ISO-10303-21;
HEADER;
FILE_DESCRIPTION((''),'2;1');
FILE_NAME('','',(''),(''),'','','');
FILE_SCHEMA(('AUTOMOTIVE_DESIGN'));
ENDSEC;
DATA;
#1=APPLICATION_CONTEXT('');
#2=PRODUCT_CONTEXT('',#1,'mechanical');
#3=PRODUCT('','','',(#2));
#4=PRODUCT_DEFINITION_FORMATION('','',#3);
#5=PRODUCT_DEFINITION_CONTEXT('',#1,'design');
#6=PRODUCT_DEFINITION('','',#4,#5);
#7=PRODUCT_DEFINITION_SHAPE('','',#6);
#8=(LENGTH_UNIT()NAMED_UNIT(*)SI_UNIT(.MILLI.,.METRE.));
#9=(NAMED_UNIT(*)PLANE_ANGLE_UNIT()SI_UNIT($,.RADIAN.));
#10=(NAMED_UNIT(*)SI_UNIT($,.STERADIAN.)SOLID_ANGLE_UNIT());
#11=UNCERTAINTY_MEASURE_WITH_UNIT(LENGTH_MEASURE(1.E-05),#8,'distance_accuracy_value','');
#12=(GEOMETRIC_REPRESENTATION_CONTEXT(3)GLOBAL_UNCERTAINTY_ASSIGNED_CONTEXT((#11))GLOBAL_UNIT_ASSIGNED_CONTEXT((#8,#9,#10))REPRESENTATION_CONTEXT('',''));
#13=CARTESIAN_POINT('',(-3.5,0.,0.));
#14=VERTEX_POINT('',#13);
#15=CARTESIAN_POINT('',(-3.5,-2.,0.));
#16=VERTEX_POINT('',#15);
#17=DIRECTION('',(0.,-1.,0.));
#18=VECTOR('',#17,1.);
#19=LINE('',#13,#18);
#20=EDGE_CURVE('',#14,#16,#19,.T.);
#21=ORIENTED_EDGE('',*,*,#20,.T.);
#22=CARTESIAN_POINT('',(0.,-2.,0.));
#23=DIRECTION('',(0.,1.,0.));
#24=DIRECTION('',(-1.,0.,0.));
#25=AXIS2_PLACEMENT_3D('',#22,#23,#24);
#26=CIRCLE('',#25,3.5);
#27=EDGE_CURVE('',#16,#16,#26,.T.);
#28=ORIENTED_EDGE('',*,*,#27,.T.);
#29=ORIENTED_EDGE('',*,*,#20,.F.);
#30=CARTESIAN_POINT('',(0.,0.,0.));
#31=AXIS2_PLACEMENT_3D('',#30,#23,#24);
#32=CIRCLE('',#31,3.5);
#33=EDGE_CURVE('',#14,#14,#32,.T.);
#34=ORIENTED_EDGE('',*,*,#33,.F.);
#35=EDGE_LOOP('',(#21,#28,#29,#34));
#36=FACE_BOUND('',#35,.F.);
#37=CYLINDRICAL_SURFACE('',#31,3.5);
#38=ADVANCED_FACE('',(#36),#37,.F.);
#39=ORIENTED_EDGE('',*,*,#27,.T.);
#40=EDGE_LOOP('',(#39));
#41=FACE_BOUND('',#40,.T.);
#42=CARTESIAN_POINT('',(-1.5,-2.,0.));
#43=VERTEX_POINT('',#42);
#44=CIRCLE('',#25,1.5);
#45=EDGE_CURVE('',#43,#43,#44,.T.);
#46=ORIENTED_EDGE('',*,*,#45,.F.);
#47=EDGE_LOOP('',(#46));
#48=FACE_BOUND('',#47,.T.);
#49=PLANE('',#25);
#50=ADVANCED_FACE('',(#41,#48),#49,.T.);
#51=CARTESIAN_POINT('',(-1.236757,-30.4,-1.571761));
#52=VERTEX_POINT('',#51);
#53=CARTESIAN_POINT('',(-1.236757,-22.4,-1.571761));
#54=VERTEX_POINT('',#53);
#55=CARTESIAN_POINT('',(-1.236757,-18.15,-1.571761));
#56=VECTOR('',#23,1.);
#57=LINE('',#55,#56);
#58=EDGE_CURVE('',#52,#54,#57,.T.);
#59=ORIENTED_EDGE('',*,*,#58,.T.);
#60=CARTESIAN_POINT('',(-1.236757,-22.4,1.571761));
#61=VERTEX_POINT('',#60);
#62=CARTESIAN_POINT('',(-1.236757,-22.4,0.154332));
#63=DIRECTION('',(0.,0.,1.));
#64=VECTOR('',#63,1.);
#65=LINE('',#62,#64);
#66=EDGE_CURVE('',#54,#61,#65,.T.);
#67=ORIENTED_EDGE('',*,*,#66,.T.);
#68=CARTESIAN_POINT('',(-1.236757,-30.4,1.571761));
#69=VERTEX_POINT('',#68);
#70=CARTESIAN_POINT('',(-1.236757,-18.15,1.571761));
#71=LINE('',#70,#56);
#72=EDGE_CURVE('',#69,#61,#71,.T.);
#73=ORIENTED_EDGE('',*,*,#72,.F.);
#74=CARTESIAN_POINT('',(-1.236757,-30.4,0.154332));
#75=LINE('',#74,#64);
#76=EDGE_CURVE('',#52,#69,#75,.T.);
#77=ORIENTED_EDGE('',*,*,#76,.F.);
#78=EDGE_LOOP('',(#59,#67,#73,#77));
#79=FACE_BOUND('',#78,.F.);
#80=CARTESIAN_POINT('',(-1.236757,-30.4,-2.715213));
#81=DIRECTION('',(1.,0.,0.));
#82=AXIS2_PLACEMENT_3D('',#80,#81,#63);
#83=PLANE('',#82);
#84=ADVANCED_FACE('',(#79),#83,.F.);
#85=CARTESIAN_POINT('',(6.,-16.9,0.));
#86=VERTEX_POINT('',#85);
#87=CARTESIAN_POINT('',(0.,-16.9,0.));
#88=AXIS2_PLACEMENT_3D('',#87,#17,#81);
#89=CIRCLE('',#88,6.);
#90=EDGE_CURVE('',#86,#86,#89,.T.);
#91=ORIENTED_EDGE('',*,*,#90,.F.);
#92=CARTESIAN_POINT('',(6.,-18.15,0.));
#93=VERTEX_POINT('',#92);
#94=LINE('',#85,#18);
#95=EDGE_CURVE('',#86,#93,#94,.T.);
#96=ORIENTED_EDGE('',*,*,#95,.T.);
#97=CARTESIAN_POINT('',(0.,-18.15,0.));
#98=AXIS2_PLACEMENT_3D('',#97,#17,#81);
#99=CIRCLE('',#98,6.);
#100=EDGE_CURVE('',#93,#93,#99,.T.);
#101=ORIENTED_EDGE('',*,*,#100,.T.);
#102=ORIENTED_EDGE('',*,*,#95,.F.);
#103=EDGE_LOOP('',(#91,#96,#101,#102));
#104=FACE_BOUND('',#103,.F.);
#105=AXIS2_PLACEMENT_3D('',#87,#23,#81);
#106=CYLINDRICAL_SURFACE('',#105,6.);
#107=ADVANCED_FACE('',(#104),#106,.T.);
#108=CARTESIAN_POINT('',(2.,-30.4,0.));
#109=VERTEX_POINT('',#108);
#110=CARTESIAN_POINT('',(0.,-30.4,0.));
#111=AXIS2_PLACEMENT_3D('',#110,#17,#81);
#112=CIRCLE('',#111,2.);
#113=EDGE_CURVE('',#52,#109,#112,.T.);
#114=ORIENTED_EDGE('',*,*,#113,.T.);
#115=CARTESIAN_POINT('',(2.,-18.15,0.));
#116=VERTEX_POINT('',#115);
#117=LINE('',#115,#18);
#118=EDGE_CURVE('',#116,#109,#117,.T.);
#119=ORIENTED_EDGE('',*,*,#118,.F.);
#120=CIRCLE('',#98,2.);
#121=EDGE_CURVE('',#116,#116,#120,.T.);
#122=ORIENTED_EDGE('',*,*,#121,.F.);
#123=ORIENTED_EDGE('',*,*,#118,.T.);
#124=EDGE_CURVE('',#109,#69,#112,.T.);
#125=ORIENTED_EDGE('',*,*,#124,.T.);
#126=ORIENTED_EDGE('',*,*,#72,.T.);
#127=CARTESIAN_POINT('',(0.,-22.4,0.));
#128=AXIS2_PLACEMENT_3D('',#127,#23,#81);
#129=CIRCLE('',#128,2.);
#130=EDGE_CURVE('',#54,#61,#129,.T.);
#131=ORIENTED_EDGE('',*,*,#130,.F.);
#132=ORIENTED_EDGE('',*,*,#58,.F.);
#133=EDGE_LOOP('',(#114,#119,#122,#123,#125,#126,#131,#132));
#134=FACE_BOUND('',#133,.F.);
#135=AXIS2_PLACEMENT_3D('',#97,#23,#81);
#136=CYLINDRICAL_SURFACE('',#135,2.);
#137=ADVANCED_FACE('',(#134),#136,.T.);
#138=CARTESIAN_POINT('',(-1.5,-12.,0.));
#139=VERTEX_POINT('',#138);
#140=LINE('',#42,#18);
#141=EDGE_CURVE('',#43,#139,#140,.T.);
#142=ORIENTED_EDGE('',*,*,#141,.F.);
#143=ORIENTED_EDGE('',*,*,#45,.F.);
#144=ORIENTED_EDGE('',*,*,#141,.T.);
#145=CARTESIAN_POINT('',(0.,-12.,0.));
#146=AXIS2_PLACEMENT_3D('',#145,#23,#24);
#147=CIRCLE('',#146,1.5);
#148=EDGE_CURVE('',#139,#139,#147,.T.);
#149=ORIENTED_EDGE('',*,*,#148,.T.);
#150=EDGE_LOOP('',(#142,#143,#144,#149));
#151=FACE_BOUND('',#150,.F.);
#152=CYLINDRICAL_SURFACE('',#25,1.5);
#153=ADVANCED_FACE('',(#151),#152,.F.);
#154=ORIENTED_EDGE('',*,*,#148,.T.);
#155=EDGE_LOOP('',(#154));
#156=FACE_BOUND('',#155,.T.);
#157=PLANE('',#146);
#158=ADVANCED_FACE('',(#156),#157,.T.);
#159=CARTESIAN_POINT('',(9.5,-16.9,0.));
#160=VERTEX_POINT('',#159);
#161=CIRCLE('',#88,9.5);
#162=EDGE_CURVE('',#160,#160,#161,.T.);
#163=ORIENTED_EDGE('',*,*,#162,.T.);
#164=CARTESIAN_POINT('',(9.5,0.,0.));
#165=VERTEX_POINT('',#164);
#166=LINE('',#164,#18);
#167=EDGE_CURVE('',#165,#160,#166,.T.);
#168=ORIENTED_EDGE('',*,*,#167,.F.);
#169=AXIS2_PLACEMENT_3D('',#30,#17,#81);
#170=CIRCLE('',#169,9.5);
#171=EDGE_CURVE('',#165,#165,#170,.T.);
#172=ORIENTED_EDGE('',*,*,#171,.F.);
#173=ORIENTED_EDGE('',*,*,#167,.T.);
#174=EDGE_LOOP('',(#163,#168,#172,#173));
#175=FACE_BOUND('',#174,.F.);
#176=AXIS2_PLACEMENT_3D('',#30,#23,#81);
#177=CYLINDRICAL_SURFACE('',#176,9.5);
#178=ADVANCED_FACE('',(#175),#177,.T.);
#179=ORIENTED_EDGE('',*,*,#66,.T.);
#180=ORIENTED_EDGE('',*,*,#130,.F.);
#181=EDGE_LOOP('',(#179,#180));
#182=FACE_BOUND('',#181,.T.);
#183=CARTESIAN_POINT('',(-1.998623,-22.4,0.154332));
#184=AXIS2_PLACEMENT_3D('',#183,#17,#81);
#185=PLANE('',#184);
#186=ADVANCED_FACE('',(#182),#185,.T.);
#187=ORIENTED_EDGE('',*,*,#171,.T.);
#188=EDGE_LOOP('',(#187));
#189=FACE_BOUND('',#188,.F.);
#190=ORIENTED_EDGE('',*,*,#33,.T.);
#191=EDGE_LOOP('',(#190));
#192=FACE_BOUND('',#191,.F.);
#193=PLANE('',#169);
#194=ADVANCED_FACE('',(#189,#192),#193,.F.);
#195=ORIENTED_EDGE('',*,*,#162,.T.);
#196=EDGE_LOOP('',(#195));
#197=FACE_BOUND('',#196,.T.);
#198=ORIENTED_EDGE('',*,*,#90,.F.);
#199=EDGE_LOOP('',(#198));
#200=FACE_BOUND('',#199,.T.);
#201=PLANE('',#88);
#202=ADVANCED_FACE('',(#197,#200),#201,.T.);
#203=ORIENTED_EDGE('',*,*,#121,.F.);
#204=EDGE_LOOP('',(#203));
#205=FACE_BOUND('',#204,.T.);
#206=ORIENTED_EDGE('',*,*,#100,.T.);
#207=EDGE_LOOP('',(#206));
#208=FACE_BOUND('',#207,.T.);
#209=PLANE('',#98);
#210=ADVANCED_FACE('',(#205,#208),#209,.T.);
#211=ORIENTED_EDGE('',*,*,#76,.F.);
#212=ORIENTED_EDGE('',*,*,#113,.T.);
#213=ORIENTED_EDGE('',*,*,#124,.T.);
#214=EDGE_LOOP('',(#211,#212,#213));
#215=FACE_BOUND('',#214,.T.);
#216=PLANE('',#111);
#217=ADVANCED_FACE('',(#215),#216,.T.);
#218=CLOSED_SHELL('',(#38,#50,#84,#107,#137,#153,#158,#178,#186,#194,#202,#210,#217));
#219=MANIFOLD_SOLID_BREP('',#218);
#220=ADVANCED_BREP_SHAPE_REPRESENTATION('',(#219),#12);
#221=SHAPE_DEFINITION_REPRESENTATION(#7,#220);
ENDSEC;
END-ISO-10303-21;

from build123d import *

# Parameters (mm, degrees)
F0_R      = 9.5
F1_DEPTH  = 16.9
F2_R      = 6
F3_DEPTH  = 1.25
F4_R      = 2
F5_DEPTH  = 12.25
F6_W      = 1.523732
F6_H      = 5.739091
F7_DEPTH  = 8
F8_R      = 3.5
F9_DEPTH  = 2
F10_R     = 1.5
F11_DEPTH = 10


with BuildPart() as f1:
    # F0 (on Front) → F1 (new body)
    with BuildSketch(Plane.XZ):
        Circle(F0_R)
    extrude(amount=F1_DEPTH)

    # F2 (on face) → F3 (join)
    with BuildSketch(Plane.XZ.offset(16.9)):
        Circle(F2_R)
    extrude(amount=F3_DEPTH)

    # F4 (on face) → F5 (join)
    with BuildSketch(Plane.XZ.offset(18.15)):
        Circle(F4_R)
    extrude(amount=F5_DEPTH)

    # F6 (on face) → F7 (cut)
    with BuildSketch(Plane.XZ.offset(30.4)):
        with Locations((-1.998623, 0.154332)):
            Rectangle(F6_W, F6_H)
    extrude(amount=-F7_DEPTH, mode=Mode.SUBTRACT)

    # F8 (on face) → F9 (cut)
    with BuildSketch(Plane(origin=(0, 0, 0), x_dir=(-1, 0, 0), z_dir=(0, 1, 0))):
        Circle(F8_R)
    extrude(amount=-F9_DEPTH, mode=Mode.SUBTRACT)

    # F10 (on face) → F11 (cut)
    with BuildSketch(Plane(origin=(0, -2, 0), x_dir=(-1, 0, 0), z_dir=(0, 1, 0))):
        Circle(F10_R)
    extrude(amount=-F11_DEPTH, mode=Mode.SUBTRACT)


solid = f1.part
